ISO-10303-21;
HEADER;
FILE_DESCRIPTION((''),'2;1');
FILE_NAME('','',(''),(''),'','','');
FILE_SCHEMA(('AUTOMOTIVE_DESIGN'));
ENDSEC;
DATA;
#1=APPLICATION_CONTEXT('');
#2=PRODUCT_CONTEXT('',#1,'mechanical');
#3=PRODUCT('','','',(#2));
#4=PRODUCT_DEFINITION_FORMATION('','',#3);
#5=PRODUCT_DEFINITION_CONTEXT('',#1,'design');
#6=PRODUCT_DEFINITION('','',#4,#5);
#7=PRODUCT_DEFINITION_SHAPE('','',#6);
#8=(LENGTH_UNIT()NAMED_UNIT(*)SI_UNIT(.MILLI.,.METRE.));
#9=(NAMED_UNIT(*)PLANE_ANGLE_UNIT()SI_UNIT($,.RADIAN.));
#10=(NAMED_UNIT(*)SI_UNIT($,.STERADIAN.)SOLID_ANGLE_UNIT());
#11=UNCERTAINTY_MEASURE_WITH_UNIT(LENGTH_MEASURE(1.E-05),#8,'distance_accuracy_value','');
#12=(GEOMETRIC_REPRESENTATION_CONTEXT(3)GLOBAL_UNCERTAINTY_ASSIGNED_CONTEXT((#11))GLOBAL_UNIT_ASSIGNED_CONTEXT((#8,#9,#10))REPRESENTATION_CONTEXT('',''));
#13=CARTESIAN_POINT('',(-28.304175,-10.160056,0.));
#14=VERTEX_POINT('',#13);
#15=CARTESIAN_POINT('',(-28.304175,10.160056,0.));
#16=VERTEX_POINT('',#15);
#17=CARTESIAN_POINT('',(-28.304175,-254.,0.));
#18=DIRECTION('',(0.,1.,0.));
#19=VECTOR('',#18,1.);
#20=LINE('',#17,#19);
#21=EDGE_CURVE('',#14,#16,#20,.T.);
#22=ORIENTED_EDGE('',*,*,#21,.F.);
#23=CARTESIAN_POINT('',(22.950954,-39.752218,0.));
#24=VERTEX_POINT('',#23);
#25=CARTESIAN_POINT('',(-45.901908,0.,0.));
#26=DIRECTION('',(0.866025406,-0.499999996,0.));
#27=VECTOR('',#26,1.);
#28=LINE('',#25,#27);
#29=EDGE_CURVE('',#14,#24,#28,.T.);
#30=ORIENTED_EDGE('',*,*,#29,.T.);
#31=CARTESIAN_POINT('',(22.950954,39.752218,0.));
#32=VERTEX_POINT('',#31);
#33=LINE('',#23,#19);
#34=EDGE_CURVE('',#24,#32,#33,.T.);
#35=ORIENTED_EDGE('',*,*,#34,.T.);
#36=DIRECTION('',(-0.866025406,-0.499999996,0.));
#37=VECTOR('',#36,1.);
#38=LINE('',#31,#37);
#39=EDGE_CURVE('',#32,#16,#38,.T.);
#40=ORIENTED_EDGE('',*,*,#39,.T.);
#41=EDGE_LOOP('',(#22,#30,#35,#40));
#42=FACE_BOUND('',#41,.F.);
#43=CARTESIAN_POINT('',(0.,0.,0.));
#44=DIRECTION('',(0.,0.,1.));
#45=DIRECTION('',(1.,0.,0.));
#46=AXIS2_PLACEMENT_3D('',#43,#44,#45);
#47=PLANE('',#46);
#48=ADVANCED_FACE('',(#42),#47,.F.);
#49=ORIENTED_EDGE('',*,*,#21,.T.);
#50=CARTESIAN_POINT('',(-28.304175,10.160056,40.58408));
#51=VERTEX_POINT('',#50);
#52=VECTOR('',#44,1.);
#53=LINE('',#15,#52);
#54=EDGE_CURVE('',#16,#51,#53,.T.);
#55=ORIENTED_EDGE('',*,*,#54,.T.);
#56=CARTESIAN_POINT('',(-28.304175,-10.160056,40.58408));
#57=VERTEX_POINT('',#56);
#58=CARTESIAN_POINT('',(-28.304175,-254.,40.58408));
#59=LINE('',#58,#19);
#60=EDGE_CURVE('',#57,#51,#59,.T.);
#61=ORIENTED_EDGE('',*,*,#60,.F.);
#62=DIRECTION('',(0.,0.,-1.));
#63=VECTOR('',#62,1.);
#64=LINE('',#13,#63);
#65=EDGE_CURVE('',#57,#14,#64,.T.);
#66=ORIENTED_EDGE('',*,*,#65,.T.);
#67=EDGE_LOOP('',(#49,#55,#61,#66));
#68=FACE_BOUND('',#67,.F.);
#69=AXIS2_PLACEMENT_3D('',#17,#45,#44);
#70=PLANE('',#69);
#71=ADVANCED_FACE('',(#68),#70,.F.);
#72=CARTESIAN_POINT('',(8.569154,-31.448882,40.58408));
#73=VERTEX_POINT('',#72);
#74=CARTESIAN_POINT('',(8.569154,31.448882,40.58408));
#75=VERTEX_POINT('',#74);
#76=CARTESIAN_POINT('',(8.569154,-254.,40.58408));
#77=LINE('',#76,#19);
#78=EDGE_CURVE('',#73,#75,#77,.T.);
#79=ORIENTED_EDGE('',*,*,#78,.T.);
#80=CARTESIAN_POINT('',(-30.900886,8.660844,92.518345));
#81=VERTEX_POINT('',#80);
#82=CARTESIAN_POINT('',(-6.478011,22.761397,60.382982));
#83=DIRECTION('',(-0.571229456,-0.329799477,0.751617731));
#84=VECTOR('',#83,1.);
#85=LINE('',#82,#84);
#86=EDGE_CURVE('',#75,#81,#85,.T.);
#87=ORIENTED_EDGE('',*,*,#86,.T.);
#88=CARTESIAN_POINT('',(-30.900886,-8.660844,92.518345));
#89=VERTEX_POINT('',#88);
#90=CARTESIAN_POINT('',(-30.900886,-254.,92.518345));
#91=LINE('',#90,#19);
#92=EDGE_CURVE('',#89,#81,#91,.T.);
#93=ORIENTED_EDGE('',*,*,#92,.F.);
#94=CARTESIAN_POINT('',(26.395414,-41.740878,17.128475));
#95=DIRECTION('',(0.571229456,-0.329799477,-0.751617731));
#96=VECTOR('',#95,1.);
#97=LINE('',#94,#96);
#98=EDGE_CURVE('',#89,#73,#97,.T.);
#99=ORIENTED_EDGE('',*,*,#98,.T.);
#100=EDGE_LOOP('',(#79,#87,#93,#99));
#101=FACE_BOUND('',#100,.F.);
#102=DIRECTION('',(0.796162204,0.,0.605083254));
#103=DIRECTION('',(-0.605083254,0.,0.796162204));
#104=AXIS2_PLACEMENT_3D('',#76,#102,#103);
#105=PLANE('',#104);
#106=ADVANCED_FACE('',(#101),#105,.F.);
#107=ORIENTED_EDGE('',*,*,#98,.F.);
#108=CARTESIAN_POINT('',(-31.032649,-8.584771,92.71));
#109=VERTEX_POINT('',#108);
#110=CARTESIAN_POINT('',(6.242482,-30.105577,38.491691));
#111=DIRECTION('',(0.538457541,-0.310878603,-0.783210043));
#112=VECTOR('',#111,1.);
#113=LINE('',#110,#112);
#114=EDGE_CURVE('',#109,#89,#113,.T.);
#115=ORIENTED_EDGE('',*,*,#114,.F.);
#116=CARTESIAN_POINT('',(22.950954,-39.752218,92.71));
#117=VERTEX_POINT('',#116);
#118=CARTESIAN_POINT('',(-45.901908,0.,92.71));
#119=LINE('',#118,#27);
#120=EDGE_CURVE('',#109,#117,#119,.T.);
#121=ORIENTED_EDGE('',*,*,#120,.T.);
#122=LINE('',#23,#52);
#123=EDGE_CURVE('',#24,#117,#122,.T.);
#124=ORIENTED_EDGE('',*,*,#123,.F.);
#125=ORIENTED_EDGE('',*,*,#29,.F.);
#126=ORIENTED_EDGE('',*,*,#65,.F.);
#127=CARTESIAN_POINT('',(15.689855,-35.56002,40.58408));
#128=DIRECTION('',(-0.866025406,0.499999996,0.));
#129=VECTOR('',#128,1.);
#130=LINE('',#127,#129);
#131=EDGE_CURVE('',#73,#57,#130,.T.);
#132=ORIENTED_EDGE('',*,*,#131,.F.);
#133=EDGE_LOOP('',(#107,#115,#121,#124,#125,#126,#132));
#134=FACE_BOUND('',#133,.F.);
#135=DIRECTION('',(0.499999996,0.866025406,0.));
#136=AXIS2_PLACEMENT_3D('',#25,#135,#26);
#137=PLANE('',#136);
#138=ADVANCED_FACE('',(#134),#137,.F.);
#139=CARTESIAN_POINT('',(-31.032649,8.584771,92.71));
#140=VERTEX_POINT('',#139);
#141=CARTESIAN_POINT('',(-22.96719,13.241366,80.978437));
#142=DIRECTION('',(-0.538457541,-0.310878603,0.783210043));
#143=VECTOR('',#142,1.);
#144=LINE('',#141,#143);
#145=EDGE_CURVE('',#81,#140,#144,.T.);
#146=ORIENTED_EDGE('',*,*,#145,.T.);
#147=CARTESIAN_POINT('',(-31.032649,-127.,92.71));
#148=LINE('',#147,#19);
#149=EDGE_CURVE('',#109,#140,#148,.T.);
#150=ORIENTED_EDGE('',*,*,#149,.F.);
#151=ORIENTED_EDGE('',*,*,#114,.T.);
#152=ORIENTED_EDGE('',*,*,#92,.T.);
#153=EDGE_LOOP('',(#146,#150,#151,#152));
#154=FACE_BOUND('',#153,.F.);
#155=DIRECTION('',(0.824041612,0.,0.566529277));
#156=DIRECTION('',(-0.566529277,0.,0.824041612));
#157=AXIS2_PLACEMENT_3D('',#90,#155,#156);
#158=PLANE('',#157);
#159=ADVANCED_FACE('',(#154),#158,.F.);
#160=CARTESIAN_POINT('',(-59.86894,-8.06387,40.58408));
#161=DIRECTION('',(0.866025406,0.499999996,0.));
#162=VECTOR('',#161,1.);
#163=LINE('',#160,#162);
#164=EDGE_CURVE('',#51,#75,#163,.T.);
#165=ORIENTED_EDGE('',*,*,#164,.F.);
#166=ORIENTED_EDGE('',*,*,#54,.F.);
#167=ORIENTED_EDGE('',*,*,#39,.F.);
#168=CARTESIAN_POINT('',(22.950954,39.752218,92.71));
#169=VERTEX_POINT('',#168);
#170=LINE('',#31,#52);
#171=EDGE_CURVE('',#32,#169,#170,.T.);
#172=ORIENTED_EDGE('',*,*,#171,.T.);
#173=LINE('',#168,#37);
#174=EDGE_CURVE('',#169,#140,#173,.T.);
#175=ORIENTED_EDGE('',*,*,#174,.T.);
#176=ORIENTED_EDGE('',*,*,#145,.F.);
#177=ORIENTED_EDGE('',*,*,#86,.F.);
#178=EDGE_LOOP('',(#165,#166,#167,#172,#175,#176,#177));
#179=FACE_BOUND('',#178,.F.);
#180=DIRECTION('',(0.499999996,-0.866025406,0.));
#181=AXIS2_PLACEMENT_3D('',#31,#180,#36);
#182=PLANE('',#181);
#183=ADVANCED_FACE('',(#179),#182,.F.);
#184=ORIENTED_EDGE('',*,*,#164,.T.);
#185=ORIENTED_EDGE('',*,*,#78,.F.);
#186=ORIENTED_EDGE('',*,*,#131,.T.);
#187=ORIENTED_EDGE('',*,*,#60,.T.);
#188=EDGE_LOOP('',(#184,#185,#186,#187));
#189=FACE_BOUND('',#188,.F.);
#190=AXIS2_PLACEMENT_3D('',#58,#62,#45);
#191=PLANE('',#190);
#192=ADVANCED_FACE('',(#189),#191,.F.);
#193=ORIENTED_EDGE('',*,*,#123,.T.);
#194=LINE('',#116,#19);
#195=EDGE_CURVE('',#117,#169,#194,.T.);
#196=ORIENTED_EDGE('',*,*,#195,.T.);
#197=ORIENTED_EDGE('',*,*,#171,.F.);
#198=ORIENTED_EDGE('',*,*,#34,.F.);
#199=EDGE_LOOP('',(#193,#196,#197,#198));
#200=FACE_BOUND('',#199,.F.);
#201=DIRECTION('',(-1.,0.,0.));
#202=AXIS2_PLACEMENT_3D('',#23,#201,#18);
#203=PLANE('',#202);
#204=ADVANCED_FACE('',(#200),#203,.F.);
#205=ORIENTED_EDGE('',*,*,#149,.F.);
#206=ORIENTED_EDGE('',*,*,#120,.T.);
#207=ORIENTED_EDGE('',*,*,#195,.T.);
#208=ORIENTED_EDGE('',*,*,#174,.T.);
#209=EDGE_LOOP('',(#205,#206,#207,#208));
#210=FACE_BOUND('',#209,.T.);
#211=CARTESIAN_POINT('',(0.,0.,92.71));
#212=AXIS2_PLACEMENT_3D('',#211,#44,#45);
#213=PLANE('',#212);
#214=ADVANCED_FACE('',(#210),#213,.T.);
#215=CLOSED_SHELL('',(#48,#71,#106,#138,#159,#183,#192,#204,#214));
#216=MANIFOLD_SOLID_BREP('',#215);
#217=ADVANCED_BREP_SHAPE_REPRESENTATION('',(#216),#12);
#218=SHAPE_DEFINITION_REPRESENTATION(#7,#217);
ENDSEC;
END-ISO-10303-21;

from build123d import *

# Parameters (mm, degrees)
F1_DEPTH = 92.71
F4_DEPTH = 539.242


with BuildPart() as f1:
    # F0 (on Top) → F1 (new body)
    with BuildSketch(Plane.XY):
        Polygon((22.950954, -39.752218), (22.950954, 39.752218), (-45.901908, 0), align=None)
    extrude(amount=F1_DEPTH)

    # F3 (on offset) → F4 (cut)
    with BuildSketch(Plane.XZ.offset(254)):
        Polygon((-61.28243, 96.673079), (-61.28243, 0), (-28.304175, 0), (-28.304175, 40.58408), (8.569154, 40.58408), (-30.900886, 92.518345), (-33.757269, 96.673079), align=None)
    extrude(amount=-F4_DEPTH, mode=Mode.SUBTRACT)


solid = f1.part
